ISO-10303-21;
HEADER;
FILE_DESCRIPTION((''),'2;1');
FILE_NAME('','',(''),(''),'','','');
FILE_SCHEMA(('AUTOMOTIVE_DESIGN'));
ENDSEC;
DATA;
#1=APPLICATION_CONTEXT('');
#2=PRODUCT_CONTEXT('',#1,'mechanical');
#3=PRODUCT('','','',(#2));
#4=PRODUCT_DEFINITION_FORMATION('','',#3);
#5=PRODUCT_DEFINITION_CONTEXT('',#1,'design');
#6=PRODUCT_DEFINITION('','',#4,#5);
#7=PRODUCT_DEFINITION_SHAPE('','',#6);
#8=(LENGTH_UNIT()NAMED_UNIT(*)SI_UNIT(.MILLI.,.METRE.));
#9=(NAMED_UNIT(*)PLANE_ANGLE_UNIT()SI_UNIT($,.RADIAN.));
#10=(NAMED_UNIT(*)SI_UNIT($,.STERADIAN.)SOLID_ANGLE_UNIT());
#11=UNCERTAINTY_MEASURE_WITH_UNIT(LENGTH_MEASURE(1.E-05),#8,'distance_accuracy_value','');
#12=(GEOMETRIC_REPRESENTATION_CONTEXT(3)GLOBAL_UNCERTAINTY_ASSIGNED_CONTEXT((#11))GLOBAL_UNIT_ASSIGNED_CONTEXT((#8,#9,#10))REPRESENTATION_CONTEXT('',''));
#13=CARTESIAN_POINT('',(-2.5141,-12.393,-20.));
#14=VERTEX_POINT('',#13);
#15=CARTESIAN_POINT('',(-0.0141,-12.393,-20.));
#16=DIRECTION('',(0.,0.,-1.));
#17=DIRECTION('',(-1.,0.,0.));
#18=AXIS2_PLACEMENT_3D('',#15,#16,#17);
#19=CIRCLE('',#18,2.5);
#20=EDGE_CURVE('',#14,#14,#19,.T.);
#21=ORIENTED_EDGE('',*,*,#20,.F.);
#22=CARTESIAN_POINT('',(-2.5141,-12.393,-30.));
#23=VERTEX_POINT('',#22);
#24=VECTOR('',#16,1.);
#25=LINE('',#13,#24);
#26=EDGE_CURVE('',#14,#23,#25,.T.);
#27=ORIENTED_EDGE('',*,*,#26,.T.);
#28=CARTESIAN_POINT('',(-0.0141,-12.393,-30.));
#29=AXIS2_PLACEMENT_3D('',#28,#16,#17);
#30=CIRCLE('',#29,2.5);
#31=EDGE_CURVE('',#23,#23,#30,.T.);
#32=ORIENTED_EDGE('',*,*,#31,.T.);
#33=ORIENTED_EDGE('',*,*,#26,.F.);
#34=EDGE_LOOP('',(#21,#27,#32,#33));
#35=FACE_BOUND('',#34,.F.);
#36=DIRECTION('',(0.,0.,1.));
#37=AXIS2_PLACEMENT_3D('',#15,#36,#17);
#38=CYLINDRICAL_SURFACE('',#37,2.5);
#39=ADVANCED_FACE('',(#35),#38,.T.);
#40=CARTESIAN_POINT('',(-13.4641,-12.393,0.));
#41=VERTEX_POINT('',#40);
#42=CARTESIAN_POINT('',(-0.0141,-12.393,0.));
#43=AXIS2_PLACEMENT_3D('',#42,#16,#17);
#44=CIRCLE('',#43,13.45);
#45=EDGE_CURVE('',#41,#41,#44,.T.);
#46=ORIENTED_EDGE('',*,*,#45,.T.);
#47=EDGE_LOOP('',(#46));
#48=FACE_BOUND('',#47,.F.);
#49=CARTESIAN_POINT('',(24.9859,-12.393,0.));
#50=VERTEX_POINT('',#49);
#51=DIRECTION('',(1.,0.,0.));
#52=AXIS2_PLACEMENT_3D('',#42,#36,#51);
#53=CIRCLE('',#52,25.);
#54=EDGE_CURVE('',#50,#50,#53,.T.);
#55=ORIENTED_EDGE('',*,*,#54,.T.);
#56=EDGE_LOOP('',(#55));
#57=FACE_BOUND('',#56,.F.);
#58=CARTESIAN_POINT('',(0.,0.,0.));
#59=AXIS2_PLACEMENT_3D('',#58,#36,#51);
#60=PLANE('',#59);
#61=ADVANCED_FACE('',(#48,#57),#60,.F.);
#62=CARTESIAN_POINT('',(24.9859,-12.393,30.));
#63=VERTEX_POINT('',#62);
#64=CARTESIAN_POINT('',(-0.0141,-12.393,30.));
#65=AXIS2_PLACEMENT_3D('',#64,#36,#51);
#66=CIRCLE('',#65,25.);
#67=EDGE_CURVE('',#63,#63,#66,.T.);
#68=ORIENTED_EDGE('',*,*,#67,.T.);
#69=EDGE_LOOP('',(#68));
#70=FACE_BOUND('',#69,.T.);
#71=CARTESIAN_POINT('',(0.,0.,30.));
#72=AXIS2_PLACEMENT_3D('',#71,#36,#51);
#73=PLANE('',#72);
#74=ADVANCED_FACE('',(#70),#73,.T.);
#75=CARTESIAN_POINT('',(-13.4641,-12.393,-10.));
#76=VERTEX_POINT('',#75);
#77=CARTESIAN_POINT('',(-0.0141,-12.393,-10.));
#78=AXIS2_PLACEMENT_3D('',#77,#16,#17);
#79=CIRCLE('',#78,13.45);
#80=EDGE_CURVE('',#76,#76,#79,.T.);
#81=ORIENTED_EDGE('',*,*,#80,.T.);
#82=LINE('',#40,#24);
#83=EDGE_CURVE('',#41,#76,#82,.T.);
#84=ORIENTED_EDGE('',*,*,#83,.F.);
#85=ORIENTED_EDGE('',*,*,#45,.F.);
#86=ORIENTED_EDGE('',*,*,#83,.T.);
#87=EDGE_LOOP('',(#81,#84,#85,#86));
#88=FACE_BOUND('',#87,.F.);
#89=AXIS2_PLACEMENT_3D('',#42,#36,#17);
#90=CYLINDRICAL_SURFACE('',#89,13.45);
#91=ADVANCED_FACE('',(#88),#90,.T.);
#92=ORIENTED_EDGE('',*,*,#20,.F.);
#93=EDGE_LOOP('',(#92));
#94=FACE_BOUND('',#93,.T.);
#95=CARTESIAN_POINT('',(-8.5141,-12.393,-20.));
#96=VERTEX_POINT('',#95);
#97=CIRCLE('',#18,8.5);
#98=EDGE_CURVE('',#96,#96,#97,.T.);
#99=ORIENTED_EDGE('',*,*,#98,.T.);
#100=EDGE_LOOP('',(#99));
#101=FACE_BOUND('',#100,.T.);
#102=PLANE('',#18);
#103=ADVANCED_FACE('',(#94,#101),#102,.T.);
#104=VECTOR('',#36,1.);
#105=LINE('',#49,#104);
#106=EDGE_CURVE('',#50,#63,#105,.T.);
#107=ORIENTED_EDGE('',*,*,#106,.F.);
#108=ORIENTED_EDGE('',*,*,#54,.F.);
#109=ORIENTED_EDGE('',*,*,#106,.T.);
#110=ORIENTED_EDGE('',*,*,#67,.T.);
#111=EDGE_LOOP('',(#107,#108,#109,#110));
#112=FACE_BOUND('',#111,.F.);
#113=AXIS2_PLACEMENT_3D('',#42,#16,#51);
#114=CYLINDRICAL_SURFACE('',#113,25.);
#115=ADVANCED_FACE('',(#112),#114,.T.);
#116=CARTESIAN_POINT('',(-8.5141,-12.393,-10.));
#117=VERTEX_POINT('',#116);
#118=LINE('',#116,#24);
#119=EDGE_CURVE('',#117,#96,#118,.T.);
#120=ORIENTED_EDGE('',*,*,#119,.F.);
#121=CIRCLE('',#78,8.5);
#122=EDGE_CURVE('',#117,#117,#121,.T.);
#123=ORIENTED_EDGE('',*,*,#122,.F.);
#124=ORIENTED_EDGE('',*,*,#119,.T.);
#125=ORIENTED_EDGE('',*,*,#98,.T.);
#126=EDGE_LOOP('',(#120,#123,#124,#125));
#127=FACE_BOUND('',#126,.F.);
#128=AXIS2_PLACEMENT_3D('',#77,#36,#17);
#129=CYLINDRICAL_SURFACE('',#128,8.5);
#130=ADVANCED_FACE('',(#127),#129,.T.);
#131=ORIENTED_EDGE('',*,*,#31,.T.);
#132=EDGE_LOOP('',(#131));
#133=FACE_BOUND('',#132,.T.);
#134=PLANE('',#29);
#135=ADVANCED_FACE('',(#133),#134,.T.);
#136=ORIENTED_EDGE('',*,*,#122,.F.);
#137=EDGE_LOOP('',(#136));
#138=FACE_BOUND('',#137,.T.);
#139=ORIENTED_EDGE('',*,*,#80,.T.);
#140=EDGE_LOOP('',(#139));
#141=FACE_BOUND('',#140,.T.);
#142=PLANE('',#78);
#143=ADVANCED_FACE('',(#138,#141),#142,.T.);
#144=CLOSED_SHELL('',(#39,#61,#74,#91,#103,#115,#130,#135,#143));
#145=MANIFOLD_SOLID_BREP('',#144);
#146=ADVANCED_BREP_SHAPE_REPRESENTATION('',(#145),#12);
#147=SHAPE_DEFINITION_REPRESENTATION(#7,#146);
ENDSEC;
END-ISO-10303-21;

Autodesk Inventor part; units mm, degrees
ref_plane "YZ Plane" through (0, 0, 0) normal (1, 0, 0) x (0, 1, 0)
ref_plane "XZ Plane" through (0, 0, 0) normal (0, 1, 0) x (-1, 0, 0)
ref_plane "XY Plane" through (0, 0, 0) normal (0, 0, 1) x (1, 0, 0)
sketch "Эскиз1" plane through (0, 0, 0) normal (0, 0, 1) x (1, 0, 0)
  circle A0 centre (-0.0141, -12.393) radius 25
  point P0 (0, 0)
  dimension "d0" = 50
extrude "Выдавливание1" add sketch "Эскиз1" along normal blind 30
sketch "Эскиз2" plane through (-0.0141, -12.393, 0) normal (0, 0, -1) x (-1, 0, 0)
  circle A0 centre (0, 0) radius 13.45 projected
  point P0 (-0.0141, 12.393)
extrude "Выдавливание2" add sketch "Эскиз2" along normal blind 10
sketch "Эскиз3" plane through (-0.0141, -12.393, -10) normal (0, 0, -1) x (-1, 0, 0)
  circle A0 centre (0, 0) radius 8.5
  point P0 (-0.0141, 12.393)
  dimension "d5" = 17
extrude "Выдавливание3" add sketch "Эскиз3" along normal blind 10
sketch "Эскиз4" plane through (-0.0141, -12.393, -20) normal (0, 0, -1) x (-1, 0, 0)
  circle A0 centre (0, 0) radius 2.5
  point P0 (-0.0141, 12.393)
  dimension "d8" = 5
extrude "Выдавливание4" add sketch "Эскиз4" along normal blind 10
properties part number "Верх. часть штатива"
